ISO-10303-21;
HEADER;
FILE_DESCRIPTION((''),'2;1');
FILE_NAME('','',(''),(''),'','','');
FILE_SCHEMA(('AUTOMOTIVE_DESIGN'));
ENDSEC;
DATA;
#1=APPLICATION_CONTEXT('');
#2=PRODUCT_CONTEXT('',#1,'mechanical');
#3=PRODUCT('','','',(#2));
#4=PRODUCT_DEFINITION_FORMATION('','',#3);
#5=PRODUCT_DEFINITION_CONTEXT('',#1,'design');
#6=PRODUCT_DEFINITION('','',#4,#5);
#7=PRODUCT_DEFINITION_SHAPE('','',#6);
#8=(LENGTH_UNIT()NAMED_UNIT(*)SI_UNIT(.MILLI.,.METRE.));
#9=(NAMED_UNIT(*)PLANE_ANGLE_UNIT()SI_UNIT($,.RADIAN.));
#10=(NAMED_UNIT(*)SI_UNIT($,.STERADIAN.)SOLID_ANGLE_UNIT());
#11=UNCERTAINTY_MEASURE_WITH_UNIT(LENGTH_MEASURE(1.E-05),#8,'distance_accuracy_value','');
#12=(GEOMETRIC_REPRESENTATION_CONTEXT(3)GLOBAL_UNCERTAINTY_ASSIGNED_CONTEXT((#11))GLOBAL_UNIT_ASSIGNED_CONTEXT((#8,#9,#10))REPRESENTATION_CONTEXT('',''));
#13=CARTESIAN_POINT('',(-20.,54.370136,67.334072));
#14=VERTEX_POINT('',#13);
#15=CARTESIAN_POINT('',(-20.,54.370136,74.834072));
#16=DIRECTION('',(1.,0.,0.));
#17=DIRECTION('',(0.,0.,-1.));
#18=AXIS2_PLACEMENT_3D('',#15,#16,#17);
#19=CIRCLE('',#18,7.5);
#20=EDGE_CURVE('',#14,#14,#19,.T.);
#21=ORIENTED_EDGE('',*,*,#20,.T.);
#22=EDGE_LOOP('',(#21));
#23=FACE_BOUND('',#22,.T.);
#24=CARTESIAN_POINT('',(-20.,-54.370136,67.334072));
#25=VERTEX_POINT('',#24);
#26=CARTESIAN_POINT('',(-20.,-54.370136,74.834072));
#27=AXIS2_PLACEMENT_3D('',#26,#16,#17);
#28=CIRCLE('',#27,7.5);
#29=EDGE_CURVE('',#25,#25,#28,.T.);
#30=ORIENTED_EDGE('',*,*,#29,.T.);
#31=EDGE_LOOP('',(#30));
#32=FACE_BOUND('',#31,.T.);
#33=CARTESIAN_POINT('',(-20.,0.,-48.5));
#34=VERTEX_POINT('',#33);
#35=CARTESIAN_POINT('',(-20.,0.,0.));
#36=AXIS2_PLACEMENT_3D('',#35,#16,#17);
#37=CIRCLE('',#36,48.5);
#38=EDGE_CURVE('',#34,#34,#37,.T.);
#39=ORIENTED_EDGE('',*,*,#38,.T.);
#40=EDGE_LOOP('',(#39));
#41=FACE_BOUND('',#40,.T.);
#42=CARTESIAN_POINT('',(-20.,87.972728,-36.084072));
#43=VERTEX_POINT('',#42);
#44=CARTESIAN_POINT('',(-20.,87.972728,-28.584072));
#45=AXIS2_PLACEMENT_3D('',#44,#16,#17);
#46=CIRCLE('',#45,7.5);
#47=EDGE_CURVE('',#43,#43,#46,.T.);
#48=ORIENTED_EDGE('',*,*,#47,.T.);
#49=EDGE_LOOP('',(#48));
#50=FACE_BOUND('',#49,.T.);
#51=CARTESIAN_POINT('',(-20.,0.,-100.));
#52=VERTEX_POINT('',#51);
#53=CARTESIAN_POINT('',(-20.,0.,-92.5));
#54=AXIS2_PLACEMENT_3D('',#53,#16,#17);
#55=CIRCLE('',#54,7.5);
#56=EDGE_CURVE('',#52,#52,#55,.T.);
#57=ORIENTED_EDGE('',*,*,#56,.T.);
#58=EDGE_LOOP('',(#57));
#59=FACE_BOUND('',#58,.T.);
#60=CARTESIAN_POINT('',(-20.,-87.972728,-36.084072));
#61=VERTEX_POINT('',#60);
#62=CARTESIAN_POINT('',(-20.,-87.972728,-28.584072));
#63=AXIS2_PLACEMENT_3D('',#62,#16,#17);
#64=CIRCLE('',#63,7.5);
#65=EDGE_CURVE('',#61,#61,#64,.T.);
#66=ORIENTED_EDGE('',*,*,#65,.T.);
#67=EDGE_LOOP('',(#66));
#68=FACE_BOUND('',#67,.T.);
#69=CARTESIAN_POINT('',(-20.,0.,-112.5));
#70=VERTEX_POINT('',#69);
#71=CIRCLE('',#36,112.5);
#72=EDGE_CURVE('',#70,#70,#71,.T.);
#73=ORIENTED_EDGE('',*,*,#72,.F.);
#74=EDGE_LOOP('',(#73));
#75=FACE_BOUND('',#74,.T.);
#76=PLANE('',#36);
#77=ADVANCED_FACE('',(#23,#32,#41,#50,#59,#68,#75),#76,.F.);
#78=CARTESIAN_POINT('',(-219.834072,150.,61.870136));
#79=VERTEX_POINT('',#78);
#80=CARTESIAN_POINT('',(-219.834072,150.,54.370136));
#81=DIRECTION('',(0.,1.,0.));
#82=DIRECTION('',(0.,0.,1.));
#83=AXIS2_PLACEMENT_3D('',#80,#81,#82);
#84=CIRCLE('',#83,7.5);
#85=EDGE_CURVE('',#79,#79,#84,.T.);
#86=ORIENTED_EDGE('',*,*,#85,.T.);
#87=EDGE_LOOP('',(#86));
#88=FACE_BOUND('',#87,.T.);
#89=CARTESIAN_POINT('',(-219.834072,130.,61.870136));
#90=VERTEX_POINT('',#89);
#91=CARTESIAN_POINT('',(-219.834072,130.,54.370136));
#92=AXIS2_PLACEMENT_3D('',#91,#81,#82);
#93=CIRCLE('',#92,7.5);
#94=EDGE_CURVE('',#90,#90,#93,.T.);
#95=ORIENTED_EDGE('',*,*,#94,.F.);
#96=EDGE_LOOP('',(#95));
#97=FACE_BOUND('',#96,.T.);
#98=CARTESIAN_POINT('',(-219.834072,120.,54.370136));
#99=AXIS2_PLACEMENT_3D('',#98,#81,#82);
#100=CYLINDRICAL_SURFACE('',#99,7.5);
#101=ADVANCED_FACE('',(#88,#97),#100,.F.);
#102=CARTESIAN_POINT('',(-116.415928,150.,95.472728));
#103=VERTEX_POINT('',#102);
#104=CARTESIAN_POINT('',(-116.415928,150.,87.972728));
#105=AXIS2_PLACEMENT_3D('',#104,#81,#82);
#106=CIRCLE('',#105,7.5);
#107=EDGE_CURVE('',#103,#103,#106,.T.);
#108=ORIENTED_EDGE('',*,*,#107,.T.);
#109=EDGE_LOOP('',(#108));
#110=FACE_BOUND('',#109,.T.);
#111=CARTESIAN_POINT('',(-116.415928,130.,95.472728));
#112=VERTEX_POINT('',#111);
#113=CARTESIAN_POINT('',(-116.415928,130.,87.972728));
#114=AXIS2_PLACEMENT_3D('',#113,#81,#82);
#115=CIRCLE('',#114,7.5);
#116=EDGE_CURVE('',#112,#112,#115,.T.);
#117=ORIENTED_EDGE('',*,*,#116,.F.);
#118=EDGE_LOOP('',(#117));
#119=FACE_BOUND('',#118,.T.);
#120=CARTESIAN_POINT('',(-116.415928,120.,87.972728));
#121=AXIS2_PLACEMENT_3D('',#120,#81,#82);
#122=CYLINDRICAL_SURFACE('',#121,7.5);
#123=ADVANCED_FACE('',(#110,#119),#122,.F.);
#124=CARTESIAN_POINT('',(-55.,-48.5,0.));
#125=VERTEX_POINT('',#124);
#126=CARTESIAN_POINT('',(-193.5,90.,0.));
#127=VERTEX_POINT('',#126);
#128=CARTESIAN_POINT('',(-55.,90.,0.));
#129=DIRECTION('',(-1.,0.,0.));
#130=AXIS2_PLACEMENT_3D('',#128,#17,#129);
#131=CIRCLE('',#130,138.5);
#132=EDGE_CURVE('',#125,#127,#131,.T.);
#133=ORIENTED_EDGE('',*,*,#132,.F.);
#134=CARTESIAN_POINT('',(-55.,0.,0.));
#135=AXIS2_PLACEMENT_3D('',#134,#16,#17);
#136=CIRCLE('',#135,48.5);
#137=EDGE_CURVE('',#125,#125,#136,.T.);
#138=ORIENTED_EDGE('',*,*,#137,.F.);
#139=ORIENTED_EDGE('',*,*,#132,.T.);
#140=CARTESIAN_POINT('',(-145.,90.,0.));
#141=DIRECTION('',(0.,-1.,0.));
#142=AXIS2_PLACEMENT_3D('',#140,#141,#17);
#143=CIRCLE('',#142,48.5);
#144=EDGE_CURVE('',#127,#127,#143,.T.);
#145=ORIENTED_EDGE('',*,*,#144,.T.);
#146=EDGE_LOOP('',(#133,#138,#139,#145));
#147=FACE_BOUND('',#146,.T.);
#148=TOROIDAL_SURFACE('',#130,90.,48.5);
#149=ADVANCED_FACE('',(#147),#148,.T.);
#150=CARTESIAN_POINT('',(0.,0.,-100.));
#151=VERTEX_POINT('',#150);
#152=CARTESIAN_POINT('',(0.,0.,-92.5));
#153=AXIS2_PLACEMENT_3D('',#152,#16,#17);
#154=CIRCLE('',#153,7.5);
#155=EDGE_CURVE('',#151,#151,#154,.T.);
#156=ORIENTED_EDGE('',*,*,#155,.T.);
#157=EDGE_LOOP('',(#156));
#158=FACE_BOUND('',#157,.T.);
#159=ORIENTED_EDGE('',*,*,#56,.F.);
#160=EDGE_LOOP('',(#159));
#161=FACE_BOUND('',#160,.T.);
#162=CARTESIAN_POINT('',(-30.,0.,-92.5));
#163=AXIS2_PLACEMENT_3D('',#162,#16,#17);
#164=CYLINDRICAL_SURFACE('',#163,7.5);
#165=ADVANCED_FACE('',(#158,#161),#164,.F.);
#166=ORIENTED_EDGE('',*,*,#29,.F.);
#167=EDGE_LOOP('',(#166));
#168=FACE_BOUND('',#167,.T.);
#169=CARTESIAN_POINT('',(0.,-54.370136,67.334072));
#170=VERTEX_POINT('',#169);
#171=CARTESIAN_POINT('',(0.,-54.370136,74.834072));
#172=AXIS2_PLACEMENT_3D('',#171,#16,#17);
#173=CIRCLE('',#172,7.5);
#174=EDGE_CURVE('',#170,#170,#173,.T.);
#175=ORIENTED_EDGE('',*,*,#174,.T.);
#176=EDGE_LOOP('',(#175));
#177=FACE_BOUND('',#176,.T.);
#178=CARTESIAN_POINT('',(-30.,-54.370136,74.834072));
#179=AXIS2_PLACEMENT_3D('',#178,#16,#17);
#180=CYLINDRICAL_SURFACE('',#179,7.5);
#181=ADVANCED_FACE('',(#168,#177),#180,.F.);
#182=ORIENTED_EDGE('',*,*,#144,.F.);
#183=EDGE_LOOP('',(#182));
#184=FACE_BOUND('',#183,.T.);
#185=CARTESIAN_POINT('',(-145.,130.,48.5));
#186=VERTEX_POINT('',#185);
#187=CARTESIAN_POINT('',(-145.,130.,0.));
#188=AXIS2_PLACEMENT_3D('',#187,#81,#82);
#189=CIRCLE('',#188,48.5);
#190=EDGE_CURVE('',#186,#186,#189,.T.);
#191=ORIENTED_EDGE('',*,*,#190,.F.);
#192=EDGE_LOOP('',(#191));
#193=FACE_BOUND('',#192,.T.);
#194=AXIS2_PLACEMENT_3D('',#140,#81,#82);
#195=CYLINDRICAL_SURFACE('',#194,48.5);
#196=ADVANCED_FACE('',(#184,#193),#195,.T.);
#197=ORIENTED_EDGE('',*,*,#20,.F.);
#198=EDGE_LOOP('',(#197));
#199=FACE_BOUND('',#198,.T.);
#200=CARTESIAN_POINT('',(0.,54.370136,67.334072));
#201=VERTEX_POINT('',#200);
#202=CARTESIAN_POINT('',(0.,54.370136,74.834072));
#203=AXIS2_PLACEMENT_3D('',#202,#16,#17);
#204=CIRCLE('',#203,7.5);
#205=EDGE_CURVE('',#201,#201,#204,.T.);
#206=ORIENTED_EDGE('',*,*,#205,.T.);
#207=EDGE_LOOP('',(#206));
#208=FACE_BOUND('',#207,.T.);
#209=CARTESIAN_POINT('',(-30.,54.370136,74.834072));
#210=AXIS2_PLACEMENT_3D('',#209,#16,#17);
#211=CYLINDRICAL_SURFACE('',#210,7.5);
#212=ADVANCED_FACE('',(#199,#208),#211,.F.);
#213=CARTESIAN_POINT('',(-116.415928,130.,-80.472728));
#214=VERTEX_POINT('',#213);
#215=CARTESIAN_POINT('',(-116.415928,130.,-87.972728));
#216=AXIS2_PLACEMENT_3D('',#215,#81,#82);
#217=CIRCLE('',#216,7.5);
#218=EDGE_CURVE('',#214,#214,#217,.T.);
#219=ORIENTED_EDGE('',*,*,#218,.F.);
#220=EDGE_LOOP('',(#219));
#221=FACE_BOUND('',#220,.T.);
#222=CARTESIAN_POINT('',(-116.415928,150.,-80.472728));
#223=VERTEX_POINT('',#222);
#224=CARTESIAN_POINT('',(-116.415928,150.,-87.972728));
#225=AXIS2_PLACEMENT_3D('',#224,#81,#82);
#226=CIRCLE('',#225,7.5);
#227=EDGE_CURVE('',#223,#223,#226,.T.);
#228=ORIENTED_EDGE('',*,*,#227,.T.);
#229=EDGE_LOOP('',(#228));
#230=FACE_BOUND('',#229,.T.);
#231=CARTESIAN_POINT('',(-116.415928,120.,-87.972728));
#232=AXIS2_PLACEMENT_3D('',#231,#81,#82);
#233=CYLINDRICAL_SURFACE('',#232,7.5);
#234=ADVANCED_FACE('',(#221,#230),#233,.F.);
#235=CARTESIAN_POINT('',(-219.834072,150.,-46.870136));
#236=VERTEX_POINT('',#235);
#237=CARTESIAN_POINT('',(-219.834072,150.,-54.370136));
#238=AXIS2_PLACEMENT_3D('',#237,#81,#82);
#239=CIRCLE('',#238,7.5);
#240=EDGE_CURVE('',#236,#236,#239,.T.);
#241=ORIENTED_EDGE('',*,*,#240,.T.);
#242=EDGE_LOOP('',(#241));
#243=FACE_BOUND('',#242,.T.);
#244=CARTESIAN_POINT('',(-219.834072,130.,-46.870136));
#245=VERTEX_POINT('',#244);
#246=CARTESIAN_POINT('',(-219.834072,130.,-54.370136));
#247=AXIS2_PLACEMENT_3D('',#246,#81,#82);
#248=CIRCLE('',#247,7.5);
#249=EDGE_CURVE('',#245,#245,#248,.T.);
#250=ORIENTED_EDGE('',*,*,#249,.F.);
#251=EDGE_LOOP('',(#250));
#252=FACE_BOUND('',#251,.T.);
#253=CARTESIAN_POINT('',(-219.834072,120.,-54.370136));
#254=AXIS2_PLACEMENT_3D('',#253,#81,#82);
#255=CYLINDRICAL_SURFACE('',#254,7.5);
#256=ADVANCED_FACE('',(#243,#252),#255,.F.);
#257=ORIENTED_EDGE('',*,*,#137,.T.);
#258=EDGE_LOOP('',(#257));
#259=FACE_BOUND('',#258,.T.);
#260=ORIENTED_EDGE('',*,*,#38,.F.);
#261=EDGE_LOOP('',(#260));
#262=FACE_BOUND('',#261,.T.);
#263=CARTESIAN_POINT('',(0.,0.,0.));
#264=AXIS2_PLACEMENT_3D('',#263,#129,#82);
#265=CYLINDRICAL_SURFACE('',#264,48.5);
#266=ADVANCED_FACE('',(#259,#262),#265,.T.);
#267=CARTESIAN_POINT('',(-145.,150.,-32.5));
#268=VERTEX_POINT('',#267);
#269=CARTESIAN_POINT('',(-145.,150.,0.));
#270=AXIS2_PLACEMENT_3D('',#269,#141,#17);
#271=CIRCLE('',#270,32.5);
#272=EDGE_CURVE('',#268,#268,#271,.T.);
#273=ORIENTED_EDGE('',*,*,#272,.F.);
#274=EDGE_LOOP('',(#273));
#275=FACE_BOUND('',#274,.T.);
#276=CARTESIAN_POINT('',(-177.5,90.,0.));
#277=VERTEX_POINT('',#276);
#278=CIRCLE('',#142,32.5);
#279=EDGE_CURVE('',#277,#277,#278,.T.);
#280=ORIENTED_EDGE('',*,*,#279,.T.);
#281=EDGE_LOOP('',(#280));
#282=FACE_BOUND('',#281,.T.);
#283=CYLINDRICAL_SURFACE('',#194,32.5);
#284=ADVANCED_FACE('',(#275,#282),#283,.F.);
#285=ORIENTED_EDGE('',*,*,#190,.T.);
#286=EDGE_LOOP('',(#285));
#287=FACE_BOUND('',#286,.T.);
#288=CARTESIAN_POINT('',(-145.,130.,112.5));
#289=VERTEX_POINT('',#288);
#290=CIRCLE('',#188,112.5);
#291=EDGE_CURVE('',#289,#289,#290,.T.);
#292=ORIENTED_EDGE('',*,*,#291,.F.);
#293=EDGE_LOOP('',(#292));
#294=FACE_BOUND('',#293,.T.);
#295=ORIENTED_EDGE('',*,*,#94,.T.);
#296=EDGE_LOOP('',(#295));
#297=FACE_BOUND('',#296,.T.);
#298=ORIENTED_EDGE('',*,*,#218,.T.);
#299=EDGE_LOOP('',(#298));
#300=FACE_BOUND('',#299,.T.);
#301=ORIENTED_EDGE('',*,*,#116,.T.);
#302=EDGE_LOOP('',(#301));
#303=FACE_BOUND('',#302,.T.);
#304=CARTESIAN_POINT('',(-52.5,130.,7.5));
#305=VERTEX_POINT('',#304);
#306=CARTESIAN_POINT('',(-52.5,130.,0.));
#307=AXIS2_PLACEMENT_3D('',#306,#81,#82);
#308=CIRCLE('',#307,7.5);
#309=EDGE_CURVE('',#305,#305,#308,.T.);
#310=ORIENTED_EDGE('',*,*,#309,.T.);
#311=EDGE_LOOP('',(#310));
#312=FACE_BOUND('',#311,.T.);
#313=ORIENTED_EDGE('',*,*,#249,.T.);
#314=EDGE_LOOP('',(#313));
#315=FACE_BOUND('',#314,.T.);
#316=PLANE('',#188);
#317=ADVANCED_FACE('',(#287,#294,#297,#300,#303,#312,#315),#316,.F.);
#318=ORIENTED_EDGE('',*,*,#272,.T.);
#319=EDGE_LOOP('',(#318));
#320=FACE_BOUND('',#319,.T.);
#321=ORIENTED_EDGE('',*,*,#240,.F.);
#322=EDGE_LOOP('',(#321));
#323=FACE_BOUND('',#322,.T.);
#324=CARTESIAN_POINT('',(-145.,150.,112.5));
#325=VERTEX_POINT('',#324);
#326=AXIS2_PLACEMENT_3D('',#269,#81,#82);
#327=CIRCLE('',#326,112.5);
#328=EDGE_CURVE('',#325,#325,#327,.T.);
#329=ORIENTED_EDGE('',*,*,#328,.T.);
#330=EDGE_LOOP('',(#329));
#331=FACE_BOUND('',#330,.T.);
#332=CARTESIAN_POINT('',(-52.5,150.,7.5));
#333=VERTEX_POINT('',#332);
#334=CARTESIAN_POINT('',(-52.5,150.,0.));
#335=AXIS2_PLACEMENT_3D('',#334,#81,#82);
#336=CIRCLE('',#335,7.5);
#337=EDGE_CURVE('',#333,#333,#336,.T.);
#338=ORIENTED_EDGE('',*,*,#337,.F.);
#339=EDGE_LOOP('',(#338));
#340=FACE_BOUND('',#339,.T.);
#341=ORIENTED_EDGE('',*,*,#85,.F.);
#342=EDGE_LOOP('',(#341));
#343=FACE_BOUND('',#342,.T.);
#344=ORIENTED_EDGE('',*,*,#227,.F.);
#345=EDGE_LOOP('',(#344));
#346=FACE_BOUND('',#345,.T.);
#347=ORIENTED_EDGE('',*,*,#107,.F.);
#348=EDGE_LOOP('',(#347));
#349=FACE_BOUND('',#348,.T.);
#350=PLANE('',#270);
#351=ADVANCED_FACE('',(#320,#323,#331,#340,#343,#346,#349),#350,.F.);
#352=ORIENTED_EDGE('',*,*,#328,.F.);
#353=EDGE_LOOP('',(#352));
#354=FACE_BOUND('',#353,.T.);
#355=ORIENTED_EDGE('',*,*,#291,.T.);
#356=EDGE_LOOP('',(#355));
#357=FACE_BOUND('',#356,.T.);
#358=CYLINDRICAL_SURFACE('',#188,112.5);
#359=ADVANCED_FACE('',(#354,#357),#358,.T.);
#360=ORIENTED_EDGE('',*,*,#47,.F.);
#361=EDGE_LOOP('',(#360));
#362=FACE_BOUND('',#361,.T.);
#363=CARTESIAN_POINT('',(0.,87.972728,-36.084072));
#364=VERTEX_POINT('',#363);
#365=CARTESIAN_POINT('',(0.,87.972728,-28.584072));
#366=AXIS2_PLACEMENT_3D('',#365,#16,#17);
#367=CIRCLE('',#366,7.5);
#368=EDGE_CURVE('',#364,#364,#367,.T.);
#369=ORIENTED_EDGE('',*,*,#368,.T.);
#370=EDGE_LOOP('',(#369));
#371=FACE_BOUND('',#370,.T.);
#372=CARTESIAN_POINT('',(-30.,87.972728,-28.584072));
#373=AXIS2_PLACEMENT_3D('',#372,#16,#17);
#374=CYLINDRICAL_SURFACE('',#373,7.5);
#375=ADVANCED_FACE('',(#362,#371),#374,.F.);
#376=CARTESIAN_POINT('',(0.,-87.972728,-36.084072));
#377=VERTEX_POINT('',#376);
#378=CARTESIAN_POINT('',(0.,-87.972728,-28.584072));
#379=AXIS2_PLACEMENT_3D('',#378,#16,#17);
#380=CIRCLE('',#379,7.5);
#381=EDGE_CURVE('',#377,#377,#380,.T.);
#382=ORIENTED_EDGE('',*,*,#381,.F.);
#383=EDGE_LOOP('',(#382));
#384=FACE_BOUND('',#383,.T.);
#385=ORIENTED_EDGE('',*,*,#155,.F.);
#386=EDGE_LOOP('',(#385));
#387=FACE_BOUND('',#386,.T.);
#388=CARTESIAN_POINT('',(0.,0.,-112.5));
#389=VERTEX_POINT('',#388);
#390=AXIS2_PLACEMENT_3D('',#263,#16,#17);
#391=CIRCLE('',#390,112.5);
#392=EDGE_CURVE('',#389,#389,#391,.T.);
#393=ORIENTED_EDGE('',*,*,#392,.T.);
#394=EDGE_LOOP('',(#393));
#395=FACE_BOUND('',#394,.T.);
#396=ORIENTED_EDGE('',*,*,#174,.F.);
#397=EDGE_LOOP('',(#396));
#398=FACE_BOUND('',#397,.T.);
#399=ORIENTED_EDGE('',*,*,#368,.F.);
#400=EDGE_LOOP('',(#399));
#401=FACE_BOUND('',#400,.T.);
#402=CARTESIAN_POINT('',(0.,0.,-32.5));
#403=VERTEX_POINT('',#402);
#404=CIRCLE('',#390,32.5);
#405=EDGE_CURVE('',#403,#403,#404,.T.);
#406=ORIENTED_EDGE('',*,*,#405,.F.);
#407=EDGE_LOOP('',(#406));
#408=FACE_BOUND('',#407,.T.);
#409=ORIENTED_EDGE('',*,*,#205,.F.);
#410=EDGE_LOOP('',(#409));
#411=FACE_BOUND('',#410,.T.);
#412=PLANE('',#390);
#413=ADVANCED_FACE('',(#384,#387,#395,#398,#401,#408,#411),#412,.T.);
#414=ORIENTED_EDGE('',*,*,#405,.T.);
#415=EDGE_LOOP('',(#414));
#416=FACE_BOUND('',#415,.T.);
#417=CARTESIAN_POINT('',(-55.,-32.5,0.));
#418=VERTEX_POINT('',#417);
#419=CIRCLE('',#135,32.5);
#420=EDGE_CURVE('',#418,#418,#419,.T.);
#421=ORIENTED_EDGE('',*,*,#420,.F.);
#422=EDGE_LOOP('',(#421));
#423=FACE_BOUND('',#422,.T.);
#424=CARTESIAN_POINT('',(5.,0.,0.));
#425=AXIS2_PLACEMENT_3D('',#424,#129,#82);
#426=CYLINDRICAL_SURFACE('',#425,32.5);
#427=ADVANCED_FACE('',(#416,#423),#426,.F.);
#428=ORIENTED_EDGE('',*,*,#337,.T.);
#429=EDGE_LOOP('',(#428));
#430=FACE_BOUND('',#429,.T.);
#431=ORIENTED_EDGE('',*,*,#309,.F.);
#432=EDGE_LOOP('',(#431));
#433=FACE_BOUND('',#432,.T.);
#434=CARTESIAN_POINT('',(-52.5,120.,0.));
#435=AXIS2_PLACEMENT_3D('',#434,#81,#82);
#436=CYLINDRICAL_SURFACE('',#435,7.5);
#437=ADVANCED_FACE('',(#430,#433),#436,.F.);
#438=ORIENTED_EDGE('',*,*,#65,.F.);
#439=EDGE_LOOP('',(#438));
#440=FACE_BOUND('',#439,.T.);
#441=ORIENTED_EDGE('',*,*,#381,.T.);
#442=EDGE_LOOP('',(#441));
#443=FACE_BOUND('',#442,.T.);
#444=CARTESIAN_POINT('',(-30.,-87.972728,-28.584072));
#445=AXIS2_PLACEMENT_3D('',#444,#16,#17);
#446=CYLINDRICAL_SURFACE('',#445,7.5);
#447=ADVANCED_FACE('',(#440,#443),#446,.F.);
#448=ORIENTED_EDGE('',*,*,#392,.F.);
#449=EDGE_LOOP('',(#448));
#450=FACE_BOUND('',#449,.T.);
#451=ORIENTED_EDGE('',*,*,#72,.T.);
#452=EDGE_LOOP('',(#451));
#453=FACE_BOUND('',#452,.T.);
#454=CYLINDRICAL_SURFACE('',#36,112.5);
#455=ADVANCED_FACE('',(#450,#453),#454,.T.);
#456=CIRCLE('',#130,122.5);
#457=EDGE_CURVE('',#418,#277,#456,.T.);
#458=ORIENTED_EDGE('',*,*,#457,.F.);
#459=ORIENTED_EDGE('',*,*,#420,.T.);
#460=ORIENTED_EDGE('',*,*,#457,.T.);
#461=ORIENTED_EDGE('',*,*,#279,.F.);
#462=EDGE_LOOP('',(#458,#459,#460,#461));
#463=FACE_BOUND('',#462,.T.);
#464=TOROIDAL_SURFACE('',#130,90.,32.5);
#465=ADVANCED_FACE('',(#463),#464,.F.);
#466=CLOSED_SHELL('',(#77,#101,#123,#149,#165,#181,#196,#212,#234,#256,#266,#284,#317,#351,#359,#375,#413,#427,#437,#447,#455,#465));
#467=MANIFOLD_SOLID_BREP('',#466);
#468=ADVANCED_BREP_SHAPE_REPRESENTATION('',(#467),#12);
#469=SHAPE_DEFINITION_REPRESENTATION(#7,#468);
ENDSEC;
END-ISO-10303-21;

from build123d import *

# Parameters (mm, degrees)
SKETCH2_R           = 48.5
SKETCH3_R           = 112.5
BOSS_EXTRUDE1_DEPTH = 20
SKETCH4_R           = 112.5
BOSS_EXTRUDE2_DEPTH = 20
SKETCH5_R           = 32.5
SKETCH6_R           = 7.5
CUT_EXTRUDE1_DEPTH  = 30
SKETCH7_R           = 7.5
CUT_EXTRUDE3_DEPTH  = 30


with BuildPart() as part:
    # Sweep1: sweep along a path in Sketch1
    with BuildLine(Plane.XY) as sweep1_path:
        Line((0, 0), (-55, 0))
        ThreePointArc((-55, 0), (-118.639610307, 26.360389693), (-145, 90))
        Line((-145, 90), (-145, 150))
    # Sketch2 → Sweep1 (sweep)
    with BuildSketch(Plane(origin=(0, 0, 0), x_dir=(0, 0, -1), z_dir=(1, 0, 0))):
        Circle(SKETCH2_R)
    sweep(path=sweep1_path.line)

    # Sketch3 → Boss-Extrude1 (add)
    with BuildSketch(Plane(origin=(0, 0, 0), x_dir=(0, 0, -1), z_dir=(1, 0, 0))):
        Circle(SKETCH3_R)
    extrude(amount=-BOSS_EXTRUDE1_DEPTH)

    # Sketch4 → Boss-Extrude2 (add)
    with BuildSketch(Plane(origin=(0, 150, 0), x_dir=(1, 0, 0), z_dir=(0, 1, 0))):
        with Locations((-145, 0)):
            Circle(SKETCH4_R)
    extrude(amount=-BOSS_EXTRUDE2_DEPTH)

    # Cut-Sweep1: sweep along a path in Sketch1<2>
    with BuildLine(Plane.XY) as cut_sweep1_path:
        Line((0, 0), (-55, 0))
        ThreePointArc((-55, 0), (-118.639610307, 26.360389693), (-145, 90))
        Line((-145, 90), (-145, 150))
    # Sketch5 → Cut-Sweep1 (sweep, cut)
    with BuildSketch(Plane(origin=(0, 0, 0), x_dir=(0, 0, -1), z_dir=(1, 0, 0))):
        Circle(SKETCH5_R)
    sweep(path=cut_sweep1_path.line, mode=Mode.SUBTRACT)

    # Sketch6 → Cut-Extrude1 (cut)
    with BuildSketch(Plane(origin=(0, 150, 0), x_dir=(1, 0, 0), z_dir=(0, 1, 0))):
        with Locations((-52.5, 0)):
            Circle(SKETCH6_R)
        with Locations((-116.41592802, -87.972727757)):
            Circle(SKETCH6_R)
        with Locations((-219.83407198, -54.370135837)):
            Circle(SKETCH6_R)
        with Locations((-219.83407198, 54.370135837)):
            Circle(SKETCH6_R)
        with Locations((-116.41592802, 87.972727757)):
            Circle(SKETCH6_R)
    extrude(amount=-CUT_EXTRUDE1_DEPTH, mode=Mode.SUBTRACT)

    # Sketch7 → Cut-Extrude3 (cut)
    with BuildSketch(Plane(origin=(0, 0, 0), x_dir=(0, 0, -1), z_dir=(1, 0, 0))):
        with Locations((92.5, 0)):
            Circle(SKETCH7_R)
        with Locations((28.58407198, -87.972727757)):
            Circle(SKETCH7_R)
        with Locations((-74.83407198, -54.370135837)):
            Circle(SKETCH7_R)
        with Locations((-74.83407198, 54.370135837)):
            Circle(SKETCH7_R)
        with Locations((28.58407198, 87.972727757)):
            Circle(SKETCH7_R)
    extrude(amount=-CUT_EXTRUDE3_DEPTH, mode=Mode.SUBTRACT)


solid = part.part
